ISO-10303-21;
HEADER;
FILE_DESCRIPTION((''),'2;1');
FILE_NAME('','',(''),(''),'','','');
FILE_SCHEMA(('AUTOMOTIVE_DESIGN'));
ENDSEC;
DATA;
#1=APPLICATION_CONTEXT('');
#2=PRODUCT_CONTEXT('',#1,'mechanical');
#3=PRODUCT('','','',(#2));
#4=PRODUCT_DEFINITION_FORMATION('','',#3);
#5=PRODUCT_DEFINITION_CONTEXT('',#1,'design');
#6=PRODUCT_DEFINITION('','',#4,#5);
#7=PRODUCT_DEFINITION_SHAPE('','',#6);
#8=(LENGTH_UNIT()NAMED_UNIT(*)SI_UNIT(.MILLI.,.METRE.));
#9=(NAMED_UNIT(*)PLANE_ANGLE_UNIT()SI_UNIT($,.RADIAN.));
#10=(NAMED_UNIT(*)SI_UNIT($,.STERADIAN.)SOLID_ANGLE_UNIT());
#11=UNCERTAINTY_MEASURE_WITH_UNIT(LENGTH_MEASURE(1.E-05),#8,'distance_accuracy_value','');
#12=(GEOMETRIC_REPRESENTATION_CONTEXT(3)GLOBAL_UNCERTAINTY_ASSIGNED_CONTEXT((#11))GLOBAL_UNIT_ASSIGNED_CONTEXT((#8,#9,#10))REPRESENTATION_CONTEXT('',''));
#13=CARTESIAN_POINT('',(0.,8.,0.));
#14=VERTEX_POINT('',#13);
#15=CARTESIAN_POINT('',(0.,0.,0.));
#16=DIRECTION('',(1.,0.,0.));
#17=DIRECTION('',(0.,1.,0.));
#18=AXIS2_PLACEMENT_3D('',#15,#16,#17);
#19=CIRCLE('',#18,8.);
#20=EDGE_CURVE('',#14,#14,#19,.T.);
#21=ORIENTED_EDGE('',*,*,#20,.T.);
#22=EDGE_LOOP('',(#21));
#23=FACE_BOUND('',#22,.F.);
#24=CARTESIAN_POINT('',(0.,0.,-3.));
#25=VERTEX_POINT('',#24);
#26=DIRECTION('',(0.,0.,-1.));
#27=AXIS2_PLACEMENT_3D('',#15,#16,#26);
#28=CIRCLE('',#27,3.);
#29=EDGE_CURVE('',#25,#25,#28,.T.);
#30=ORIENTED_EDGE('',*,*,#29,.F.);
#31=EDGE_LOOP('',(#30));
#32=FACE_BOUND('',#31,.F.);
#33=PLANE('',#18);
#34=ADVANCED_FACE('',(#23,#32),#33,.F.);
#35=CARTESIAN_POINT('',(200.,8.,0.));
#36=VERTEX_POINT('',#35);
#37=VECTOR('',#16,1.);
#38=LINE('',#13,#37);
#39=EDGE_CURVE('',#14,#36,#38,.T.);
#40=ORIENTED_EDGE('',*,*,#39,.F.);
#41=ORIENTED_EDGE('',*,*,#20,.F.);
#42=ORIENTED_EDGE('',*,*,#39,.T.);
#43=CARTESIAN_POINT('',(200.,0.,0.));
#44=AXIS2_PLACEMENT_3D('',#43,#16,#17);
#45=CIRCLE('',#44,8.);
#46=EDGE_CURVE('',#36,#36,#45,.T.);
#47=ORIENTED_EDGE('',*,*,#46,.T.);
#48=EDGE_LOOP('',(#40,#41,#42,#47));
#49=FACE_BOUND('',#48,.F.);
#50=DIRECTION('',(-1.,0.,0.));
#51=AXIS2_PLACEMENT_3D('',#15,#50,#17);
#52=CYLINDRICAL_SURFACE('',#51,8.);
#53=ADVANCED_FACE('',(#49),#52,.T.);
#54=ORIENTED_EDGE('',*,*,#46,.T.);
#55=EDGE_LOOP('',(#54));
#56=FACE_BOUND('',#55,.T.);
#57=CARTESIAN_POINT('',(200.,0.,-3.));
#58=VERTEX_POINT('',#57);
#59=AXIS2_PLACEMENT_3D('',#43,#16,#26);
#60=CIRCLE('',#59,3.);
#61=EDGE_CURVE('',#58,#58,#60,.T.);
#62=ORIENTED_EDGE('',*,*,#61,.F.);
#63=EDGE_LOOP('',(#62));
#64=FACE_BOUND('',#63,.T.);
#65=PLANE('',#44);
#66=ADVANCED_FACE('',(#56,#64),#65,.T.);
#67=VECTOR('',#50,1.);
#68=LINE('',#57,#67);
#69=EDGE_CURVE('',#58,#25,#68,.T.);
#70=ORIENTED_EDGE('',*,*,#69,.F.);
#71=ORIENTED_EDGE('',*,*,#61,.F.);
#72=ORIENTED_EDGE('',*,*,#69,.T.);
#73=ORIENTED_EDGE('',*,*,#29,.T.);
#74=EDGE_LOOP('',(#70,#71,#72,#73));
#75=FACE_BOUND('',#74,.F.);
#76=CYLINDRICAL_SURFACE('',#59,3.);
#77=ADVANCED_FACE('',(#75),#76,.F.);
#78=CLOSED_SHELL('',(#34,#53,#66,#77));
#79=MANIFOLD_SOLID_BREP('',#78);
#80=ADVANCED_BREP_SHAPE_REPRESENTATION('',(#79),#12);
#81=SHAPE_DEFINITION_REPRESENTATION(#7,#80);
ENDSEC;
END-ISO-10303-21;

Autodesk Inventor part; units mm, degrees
ref_plane "YZ Plane" through (0, 0, 0) normal (1, 0, 0) x (0, 1, 0)
ref_plane "XZ Plane" through (0, 0, 0) normal (0, 1, 0) x (-1, 0, 0)
ref_plane "XY Plane" through (0, 0, 0) normal (0, 0, 1) x (1, 0, 0)
sketch "Sketch1" plane through (0, 0, 0) normal (1, 0, 0) x (0, 1, 0)
  circle A0 centre (0, 0) radius 8
  dimension "d0" = 16
extrude "Extrusion1" add sketch "Sketch1" along normal blind 200
sketch "Sketch2" plane through (200, 0, 0) normal (1, 0, 0) x (0, 0, -1)
  circle A0 centre (0, 0) radius 8 projected
  circle A1 centre (0, 0) radius 3
  dimension "d3" = 6
extrude "Extrusion2" cut sketch "Sketch2" against normal blind 200 contours A1
equation "\"BendRadius\" = Thickness"
equation "\"BendReliefWidth\" = Thickness"
equation "\"BendReliefDepth\" = 0.5 * Thickness"
equation "\"CornerReliefSize\" = 4 * Thickness"
equation "\"MinimumRemnant\" = 2 * Thickness"
equation "\"TransitionRadius\" = BendRadius"
equation "\"JacobiRadiusSize\" = BendRadius"
equation "\"GapSize\" = Thickness"
equation "\"Thickness\" = 0.5"
properties part number "Rubber pipe2"
